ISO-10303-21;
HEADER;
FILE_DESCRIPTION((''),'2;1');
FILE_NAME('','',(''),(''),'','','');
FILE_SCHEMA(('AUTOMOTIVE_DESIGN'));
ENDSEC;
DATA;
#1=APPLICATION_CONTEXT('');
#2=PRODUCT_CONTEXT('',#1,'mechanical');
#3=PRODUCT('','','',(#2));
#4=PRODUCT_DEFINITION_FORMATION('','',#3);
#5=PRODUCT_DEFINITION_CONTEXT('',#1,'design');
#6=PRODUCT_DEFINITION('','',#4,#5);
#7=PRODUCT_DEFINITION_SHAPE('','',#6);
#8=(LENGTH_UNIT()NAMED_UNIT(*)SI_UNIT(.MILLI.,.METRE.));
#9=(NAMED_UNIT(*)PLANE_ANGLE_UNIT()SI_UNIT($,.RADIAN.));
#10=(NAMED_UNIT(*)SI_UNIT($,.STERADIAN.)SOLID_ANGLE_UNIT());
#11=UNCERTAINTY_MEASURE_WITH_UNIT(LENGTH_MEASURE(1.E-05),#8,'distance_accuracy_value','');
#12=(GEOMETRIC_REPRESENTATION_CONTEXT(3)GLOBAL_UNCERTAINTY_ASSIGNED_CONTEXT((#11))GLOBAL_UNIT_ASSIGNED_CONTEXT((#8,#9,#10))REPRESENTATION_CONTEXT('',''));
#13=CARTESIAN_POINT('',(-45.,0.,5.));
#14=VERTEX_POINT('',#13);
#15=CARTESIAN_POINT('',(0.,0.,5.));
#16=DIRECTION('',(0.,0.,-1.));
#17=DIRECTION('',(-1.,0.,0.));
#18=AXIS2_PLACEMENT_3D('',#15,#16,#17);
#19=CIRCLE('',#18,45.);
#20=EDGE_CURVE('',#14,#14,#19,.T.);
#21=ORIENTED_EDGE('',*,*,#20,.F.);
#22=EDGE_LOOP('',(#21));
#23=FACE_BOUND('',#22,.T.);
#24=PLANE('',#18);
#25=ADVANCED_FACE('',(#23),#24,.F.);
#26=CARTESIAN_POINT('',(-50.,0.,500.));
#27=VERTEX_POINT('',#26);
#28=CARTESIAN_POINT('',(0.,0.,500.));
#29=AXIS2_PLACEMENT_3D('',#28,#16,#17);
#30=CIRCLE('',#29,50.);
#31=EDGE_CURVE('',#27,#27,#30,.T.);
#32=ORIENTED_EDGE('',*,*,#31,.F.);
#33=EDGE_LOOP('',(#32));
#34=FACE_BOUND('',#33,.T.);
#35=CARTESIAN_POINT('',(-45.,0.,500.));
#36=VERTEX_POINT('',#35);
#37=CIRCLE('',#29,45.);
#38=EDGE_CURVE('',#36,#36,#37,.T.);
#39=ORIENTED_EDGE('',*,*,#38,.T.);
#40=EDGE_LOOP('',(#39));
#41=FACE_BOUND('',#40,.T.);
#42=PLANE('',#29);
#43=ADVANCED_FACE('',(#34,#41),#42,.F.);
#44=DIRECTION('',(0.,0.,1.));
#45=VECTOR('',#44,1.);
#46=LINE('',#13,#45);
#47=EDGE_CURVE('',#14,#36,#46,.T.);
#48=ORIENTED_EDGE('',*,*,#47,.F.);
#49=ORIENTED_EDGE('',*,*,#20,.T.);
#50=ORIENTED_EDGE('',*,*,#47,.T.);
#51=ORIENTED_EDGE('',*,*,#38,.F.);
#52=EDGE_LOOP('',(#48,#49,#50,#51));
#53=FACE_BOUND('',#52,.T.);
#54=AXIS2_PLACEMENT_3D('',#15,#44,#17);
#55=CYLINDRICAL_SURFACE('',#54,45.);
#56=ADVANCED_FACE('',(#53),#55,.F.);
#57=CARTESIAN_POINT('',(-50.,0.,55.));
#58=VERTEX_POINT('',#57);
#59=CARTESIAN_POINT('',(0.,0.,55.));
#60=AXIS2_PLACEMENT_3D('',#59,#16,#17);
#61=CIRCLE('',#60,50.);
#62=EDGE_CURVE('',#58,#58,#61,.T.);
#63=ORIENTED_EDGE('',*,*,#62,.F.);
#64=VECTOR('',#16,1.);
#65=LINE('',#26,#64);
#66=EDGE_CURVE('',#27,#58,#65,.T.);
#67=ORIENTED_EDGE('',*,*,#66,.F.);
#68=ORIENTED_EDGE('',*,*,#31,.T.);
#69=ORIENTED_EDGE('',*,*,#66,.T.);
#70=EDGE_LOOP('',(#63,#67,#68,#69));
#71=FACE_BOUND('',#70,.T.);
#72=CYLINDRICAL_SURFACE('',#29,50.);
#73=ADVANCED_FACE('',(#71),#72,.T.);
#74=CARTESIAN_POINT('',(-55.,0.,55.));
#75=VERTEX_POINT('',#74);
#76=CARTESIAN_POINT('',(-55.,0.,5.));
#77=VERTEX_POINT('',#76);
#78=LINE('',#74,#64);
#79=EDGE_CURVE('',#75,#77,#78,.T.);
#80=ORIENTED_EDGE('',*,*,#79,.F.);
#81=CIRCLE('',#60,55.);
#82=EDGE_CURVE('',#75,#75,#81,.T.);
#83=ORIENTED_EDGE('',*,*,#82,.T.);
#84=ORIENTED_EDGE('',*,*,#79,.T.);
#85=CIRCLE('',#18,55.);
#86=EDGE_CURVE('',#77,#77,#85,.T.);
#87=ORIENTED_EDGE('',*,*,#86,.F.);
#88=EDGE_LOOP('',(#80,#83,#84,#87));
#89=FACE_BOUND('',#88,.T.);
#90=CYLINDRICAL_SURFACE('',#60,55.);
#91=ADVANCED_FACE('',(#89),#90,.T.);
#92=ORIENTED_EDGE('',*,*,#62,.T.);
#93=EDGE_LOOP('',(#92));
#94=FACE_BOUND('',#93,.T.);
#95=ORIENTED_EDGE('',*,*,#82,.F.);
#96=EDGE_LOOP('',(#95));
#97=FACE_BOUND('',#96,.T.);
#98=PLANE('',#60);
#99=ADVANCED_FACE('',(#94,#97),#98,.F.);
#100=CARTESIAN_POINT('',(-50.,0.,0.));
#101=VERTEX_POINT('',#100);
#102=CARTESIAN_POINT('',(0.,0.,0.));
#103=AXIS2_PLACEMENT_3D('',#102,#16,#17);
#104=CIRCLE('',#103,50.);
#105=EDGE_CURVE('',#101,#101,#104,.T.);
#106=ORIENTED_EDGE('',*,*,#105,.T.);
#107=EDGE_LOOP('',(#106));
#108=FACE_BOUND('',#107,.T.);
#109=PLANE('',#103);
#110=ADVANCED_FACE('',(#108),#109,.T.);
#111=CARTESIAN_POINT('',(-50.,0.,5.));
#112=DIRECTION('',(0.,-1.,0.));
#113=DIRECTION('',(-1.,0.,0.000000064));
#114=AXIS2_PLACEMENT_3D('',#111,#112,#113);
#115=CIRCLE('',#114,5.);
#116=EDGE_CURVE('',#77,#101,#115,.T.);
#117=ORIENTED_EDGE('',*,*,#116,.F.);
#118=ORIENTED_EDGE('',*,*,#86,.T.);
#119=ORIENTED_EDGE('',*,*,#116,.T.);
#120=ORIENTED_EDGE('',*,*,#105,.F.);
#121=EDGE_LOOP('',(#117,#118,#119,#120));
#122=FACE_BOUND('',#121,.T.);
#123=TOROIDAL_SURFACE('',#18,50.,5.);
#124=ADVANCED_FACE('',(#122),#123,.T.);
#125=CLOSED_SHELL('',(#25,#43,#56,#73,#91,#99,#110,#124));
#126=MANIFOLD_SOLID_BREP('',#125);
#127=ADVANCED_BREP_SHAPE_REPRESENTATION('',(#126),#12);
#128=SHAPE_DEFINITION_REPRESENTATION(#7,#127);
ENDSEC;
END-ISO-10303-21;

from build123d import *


with BuildPart() as f1:
    # F0 (on Front) → F1 (revolve)
    with BuildSketch(Plane.XZ):
        with BuildLine():
            ThreePointArc((-55, 5), (-53.535534, 1.464466), (-50, 0))
            Line((-50, 0), (-50, 55))
            Line((-50, 55), (-55, 55))
            Line((-55, 55), (-55, 5))
        make_face()
        Polygon((-50, 0), (0, 0), (0, 5), (-45, 5), (-45, 500), (-50, 500), (-50, 55), align=None)
    revolve(axis=Axis((0, 0, 252.5), (0, 0, -1)))


solid = f1.part
